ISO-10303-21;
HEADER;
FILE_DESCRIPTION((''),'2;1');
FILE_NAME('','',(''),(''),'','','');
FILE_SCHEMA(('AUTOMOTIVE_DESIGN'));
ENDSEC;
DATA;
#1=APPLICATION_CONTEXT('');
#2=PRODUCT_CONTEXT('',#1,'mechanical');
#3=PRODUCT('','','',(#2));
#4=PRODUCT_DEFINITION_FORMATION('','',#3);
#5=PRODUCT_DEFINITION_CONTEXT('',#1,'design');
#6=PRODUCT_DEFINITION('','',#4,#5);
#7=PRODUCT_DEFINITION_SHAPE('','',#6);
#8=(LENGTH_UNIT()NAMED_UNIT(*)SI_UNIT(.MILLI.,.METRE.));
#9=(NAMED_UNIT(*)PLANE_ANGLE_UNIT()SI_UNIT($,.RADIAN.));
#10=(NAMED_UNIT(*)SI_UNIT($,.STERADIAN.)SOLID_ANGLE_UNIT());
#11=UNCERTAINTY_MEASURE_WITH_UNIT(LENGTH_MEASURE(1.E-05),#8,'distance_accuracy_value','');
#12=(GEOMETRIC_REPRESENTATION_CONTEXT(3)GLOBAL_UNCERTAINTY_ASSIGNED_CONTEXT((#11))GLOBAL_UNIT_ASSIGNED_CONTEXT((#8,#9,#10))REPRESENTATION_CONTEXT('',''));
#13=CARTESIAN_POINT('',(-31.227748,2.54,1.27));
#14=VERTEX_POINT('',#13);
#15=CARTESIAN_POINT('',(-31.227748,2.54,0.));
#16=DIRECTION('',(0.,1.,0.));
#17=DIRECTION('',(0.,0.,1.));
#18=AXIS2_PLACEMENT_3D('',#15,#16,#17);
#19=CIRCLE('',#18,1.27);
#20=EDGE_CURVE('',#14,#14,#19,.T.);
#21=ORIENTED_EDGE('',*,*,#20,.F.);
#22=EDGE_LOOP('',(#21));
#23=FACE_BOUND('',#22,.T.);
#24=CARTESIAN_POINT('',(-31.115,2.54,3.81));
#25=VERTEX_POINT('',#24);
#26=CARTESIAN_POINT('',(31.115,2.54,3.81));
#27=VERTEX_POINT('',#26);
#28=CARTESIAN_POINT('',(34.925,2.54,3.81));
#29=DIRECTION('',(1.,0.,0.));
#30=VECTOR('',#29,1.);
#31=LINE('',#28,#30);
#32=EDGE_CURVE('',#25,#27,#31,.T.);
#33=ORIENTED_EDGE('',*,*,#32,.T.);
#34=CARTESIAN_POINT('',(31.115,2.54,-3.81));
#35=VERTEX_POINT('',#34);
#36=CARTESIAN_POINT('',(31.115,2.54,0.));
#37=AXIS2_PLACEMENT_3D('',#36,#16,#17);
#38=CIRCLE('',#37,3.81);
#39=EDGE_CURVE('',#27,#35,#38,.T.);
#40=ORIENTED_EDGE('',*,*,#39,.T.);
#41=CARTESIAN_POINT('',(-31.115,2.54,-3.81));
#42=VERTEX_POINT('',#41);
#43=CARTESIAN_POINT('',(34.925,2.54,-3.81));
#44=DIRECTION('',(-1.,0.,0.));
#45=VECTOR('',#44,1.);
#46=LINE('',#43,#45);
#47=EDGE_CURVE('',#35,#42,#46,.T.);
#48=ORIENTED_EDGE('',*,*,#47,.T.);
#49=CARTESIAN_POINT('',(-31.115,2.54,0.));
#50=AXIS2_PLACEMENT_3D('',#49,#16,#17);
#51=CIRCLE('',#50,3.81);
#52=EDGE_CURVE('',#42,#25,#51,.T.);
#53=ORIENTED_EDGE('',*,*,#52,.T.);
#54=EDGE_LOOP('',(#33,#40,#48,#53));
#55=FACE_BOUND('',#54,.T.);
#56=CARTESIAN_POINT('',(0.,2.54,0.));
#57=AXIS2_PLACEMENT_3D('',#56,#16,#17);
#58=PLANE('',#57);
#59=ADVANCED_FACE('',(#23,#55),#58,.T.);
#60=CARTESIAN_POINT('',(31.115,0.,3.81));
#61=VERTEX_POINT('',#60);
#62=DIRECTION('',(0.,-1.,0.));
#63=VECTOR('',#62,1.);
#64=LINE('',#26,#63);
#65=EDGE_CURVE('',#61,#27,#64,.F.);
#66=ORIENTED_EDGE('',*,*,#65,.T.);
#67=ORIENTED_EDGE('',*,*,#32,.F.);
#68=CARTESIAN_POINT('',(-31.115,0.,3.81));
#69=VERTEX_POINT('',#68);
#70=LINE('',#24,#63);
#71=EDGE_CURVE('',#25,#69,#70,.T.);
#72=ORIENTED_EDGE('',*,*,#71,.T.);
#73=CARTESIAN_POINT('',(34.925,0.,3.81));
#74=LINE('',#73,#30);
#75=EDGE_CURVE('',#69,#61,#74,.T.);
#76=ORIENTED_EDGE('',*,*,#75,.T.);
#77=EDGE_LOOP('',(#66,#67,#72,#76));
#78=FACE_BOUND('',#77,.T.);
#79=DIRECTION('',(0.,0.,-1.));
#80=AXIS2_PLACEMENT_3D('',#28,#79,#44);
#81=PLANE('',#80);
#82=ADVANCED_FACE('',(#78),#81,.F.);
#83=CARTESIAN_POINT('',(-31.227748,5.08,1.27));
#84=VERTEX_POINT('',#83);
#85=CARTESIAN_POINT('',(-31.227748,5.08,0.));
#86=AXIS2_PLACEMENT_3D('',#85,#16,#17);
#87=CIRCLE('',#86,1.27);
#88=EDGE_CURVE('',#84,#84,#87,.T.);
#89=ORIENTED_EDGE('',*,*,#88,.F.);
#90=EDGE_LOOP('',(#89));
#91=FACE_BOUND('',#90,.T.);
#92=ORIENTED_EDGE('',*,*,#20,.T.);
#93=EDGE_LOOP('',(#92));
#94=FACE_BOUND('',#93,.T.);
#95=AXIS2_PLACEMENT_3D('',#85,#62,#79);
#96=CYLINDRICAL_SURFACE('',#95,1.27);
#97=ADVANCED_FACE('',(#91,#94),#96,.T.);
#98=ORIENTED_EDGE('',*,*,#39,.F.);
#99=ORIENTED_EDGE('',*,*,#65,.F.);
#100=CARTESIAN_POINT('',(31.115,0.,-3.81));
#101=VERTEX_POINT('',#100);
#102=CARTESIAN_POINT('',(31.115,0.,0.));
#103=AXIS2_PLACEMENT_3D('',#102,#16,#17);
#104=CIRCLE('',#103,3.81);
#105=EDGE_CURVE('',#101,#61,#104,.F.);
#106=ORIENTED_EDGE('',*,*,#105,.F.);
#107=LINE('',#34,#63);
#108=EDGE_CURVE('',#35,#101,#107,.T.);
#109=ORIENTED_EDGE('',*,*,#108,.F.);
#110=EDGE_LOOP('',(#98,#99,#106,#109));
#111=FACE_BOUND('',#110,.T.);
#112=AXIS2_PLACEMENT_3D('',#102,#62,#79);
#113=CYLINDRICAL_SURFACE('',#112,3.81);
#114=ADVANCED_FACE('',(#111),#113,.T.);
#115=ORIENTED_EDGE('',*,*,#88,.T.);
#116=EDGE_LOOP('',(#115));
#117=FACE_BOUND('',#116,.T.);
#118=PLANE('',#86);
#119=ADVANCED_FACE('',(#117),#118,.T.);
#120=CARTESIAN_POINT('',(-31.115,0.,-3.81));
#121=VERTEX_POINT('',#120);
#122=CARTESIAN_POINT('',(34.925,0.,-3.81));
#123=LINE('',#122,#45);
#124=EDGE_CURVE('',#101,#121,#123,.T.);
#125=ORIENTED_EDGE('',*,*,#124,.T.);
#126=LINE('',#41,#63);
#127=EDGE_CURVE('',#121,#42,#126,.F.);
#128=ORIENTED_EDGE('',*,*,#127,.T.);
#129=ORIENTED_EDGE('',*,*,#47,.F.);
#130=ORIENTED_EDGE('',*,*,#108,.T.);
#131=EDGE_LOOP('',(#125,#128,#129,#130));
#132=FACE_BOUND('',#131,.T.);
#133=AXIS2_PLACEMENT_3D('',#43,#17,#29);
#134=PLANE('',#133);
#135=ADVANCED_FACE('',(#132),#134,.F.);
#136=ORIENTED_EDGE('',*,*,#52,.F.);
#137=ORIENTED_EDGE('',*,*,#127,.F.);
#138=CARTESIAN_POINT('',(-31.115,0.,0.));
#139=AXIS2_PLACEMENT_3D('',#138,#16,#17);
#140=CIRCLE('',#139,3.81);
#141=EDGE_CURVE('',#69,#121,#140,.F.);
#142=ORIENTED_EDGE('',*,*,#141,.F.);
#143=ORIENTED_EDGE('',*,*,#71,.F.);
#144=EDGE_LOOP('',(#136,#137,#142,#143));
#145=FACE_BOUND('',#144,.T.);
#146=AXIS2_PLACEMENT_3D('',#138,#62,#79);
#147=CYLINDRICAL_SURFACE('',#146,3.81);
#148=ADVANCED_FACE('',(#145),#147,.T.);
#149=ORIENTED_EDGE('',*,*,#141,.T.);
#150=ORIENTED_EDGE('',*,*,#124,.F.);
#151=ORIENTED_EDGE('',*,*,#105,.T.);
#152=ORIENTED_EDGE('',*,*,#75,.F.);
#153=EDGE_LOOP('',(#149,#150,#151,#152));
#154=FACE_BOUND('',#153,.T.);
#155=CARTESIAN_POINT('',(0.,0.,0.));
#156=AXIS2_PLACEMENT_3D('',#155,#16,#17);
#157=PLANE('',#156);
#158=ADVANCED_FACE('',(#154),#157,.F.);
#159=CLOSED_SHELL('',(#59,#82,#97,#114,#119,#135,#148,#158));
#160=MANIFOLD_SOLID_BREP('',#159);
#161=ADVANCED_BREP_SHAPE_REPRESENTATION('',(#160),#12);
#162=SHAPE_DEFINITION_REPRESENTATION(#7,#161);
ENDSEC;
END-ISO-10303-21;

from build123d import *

# Parameters (mm, degrees)
SKETCH2_W           = 69.85
SKETCH2_H           = 7.62
BOSS_EXTRUDE1_DEPTH = 2.54
FILLET1_RADIUS      = 3.81
FILLET1_LENGTH      = 2.54
FILLET2_RADIUS      = 3.81
FILLET2_LENGTH      = 2.54
SKETCH3_R           = 1.27
BOSS_EXTRUDE2_DEPTH = 2.54


with BuildPart() as part:
    # Sketch2 → Boss-Extrude1 (new body)
    with BuildSketch(Plane(origin=(0, 0, 0), x_dir=(1, 0, 0), z_dir=(0, 1, 0))):
        Rectangle(SKETCH2_W, SKETCH2_H)
    extrude(amount=BOSS_EXTRUDE1_DEPTH)

    # Fillet1: full round fillet: the end face becomes a half cylinder, R = half its width
    fillet1_face = Plane((34.925, 1.27, 0), x_dir=(0, 1, 0), z_dir=(1, 0, 0))  # on the end face: x along it, z out of the body
    fillet1_slab = fillet1_face.offset(-FILLET1_RADIUS / 2) * Box(FILLET1_LENGTH, 2 * FILLET1_RADIUS, FILLET1_RADIUS, mode=Mode.PRIVATE)  # the body's end, R deep
    fillet1_round = Plane((31.115, 1.27, 0), x_dir=(1, 0, 0), z_dir=(0, 1, 0)) * Cylinder(FILLET1_RADIUS, FILLET1_LENGTH, mode=Mode.PRIVATE)  # its axis R under the face
    add(fillet1_slab - fillet1_round, mode=Mode.SUBTRACT)

    # Fillet2: full round fillet: the end face becomes a half cylinder, R = half its width
    fillet2_face = Plane((-34.925, 1.27, 0), x_dir=(0, -1, 0), z_dir=(-1, 0, 0))  # on the end face: x along it, z out of the body
    fillet2_slab = fillet2_face.offset(-FILLET2_RADIUS / 2) * Box(FILLET2_LENGTH, 2 * FILLET2_RADIUS, FILLET2_RADIUS, mode=Mode.PRIVATE)  # the body's end, R deep
    fillet2_round = Plane((-31.115, 1.27, 0), x_dir=(-1, 0, 0), z_dir=(0, -1, 0)) * Cylinder(FILLET2_RADIUS, FILLET2_LENGTH, mode=Mode.PRIVATE)  # its axis R under the face
    add(fillet2_slab - fillet2_round, mode=Mode.SUBTRACT)

    # Sketch3 → Boss-Extrude2 (add)
    with BuildSketch(Plane(origin=(0, 2.54, 0), x_dir=(1, 0, 0), z_dir=(0, 1, 0))):
        with Locations(Location((-31.227747573, 0, 0), (0, 0, 270))):
            Circle(SKETCH3_R)
    extrude(amount=BOSS_EXTRUDE2_DEPTH)


solid = part.part
